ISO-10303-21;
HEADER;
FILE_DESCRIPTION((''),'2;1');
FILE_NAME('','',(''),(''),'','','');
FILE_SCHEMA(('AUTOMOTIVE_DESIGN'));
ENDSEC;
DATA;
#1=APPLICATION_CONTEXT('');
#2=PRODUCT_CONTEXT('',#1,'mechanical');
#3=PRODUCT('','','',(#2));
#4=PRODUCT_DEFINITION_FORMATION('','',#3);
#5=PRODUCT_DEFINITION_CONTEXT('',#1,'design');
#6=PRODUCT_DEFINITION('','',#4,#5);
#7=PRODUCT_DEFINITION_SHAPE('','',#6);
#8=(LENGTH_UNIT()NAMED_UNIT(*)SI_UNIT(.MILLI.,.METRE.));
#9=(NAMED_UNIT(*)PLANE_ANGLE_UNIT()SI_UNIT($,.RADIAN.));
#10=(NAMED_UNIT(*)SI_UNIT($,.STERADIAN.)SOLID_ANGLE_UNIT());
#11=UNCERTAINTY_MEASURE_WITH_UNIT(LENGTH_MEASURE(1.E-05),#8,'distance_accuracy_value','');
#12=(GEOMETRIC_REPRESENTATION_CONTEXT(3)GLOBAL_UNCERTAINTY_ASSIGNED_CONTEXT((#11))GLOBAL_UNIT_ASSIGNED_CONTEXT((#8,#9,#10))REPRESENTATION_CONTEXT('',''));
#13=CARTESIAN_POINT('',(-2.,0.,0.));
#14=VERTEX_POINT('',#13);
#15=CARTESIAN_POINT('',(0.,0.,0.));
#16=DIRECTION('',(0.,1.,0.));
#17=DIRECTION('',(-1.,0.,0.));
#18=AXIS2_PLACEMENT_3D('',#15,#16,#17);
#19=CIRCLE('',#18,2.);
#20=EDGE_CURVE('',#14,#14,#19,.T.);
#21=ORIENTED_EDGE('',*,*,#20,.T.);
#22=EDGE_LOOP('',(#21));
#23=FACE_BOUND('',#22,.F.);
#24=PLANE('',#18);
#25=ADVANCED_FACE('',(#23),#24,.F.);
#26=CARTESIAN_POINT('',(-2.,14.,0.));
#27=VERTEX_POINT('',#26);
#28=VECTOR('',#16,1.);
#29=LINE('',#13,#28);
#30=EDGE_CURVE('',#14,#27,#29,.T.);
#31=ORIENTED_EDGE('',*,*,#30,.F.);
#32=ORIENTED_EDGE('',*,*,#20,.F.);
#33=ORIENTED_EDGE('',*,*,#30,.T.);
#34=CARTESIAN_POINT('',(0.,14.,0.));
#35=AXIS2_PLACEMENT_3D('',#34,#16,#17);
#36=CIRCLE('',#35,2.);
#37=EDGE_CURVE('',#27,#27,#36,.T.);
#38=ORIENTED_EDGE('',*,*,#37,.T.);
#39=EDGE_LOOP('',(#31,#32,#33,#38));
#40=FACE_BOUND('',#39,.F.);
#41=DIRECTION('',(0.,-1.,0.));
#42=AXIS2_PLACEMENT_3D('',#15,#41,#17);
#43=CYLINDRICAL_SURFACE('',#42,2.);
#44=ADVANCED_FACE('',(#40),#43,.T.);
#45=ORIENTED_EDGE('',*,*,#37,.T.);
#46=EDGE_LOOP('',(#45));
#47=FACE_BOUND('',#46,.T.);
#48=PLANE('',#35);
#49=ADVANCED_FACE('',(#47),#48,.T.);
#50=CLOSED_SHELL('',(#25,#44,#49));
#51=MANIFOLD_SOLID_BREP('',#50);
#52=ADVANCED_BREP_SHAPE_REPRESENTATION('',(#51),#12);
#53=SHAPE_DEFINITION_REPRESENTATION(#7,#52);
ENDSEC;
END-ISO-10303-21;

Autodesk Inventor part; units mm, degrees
ref_plane "YZ Plane" through (0, 0, 0) normal (1, 0, 0) x (0, 1, 0)
ref_plane "XZ Plane" through (0, 0, 0) normal (0, 1, 0) x (-1, 0, 0)
ref_plane "XY Plane" through (0, 0, 0) normal (0, 0, 1) x (1, 0, 0)
sketch "Sketch1" plane through (0, 0, 0) normal (0, 1, 0) x (-1, 0, 0)
  circle A0 centre (0, 0) radius 2
  dimension "d0" = 4
extrude "Extrusion1" add sketch "Sketch1" along normal blind 14
properties part number "Connecting_column"
